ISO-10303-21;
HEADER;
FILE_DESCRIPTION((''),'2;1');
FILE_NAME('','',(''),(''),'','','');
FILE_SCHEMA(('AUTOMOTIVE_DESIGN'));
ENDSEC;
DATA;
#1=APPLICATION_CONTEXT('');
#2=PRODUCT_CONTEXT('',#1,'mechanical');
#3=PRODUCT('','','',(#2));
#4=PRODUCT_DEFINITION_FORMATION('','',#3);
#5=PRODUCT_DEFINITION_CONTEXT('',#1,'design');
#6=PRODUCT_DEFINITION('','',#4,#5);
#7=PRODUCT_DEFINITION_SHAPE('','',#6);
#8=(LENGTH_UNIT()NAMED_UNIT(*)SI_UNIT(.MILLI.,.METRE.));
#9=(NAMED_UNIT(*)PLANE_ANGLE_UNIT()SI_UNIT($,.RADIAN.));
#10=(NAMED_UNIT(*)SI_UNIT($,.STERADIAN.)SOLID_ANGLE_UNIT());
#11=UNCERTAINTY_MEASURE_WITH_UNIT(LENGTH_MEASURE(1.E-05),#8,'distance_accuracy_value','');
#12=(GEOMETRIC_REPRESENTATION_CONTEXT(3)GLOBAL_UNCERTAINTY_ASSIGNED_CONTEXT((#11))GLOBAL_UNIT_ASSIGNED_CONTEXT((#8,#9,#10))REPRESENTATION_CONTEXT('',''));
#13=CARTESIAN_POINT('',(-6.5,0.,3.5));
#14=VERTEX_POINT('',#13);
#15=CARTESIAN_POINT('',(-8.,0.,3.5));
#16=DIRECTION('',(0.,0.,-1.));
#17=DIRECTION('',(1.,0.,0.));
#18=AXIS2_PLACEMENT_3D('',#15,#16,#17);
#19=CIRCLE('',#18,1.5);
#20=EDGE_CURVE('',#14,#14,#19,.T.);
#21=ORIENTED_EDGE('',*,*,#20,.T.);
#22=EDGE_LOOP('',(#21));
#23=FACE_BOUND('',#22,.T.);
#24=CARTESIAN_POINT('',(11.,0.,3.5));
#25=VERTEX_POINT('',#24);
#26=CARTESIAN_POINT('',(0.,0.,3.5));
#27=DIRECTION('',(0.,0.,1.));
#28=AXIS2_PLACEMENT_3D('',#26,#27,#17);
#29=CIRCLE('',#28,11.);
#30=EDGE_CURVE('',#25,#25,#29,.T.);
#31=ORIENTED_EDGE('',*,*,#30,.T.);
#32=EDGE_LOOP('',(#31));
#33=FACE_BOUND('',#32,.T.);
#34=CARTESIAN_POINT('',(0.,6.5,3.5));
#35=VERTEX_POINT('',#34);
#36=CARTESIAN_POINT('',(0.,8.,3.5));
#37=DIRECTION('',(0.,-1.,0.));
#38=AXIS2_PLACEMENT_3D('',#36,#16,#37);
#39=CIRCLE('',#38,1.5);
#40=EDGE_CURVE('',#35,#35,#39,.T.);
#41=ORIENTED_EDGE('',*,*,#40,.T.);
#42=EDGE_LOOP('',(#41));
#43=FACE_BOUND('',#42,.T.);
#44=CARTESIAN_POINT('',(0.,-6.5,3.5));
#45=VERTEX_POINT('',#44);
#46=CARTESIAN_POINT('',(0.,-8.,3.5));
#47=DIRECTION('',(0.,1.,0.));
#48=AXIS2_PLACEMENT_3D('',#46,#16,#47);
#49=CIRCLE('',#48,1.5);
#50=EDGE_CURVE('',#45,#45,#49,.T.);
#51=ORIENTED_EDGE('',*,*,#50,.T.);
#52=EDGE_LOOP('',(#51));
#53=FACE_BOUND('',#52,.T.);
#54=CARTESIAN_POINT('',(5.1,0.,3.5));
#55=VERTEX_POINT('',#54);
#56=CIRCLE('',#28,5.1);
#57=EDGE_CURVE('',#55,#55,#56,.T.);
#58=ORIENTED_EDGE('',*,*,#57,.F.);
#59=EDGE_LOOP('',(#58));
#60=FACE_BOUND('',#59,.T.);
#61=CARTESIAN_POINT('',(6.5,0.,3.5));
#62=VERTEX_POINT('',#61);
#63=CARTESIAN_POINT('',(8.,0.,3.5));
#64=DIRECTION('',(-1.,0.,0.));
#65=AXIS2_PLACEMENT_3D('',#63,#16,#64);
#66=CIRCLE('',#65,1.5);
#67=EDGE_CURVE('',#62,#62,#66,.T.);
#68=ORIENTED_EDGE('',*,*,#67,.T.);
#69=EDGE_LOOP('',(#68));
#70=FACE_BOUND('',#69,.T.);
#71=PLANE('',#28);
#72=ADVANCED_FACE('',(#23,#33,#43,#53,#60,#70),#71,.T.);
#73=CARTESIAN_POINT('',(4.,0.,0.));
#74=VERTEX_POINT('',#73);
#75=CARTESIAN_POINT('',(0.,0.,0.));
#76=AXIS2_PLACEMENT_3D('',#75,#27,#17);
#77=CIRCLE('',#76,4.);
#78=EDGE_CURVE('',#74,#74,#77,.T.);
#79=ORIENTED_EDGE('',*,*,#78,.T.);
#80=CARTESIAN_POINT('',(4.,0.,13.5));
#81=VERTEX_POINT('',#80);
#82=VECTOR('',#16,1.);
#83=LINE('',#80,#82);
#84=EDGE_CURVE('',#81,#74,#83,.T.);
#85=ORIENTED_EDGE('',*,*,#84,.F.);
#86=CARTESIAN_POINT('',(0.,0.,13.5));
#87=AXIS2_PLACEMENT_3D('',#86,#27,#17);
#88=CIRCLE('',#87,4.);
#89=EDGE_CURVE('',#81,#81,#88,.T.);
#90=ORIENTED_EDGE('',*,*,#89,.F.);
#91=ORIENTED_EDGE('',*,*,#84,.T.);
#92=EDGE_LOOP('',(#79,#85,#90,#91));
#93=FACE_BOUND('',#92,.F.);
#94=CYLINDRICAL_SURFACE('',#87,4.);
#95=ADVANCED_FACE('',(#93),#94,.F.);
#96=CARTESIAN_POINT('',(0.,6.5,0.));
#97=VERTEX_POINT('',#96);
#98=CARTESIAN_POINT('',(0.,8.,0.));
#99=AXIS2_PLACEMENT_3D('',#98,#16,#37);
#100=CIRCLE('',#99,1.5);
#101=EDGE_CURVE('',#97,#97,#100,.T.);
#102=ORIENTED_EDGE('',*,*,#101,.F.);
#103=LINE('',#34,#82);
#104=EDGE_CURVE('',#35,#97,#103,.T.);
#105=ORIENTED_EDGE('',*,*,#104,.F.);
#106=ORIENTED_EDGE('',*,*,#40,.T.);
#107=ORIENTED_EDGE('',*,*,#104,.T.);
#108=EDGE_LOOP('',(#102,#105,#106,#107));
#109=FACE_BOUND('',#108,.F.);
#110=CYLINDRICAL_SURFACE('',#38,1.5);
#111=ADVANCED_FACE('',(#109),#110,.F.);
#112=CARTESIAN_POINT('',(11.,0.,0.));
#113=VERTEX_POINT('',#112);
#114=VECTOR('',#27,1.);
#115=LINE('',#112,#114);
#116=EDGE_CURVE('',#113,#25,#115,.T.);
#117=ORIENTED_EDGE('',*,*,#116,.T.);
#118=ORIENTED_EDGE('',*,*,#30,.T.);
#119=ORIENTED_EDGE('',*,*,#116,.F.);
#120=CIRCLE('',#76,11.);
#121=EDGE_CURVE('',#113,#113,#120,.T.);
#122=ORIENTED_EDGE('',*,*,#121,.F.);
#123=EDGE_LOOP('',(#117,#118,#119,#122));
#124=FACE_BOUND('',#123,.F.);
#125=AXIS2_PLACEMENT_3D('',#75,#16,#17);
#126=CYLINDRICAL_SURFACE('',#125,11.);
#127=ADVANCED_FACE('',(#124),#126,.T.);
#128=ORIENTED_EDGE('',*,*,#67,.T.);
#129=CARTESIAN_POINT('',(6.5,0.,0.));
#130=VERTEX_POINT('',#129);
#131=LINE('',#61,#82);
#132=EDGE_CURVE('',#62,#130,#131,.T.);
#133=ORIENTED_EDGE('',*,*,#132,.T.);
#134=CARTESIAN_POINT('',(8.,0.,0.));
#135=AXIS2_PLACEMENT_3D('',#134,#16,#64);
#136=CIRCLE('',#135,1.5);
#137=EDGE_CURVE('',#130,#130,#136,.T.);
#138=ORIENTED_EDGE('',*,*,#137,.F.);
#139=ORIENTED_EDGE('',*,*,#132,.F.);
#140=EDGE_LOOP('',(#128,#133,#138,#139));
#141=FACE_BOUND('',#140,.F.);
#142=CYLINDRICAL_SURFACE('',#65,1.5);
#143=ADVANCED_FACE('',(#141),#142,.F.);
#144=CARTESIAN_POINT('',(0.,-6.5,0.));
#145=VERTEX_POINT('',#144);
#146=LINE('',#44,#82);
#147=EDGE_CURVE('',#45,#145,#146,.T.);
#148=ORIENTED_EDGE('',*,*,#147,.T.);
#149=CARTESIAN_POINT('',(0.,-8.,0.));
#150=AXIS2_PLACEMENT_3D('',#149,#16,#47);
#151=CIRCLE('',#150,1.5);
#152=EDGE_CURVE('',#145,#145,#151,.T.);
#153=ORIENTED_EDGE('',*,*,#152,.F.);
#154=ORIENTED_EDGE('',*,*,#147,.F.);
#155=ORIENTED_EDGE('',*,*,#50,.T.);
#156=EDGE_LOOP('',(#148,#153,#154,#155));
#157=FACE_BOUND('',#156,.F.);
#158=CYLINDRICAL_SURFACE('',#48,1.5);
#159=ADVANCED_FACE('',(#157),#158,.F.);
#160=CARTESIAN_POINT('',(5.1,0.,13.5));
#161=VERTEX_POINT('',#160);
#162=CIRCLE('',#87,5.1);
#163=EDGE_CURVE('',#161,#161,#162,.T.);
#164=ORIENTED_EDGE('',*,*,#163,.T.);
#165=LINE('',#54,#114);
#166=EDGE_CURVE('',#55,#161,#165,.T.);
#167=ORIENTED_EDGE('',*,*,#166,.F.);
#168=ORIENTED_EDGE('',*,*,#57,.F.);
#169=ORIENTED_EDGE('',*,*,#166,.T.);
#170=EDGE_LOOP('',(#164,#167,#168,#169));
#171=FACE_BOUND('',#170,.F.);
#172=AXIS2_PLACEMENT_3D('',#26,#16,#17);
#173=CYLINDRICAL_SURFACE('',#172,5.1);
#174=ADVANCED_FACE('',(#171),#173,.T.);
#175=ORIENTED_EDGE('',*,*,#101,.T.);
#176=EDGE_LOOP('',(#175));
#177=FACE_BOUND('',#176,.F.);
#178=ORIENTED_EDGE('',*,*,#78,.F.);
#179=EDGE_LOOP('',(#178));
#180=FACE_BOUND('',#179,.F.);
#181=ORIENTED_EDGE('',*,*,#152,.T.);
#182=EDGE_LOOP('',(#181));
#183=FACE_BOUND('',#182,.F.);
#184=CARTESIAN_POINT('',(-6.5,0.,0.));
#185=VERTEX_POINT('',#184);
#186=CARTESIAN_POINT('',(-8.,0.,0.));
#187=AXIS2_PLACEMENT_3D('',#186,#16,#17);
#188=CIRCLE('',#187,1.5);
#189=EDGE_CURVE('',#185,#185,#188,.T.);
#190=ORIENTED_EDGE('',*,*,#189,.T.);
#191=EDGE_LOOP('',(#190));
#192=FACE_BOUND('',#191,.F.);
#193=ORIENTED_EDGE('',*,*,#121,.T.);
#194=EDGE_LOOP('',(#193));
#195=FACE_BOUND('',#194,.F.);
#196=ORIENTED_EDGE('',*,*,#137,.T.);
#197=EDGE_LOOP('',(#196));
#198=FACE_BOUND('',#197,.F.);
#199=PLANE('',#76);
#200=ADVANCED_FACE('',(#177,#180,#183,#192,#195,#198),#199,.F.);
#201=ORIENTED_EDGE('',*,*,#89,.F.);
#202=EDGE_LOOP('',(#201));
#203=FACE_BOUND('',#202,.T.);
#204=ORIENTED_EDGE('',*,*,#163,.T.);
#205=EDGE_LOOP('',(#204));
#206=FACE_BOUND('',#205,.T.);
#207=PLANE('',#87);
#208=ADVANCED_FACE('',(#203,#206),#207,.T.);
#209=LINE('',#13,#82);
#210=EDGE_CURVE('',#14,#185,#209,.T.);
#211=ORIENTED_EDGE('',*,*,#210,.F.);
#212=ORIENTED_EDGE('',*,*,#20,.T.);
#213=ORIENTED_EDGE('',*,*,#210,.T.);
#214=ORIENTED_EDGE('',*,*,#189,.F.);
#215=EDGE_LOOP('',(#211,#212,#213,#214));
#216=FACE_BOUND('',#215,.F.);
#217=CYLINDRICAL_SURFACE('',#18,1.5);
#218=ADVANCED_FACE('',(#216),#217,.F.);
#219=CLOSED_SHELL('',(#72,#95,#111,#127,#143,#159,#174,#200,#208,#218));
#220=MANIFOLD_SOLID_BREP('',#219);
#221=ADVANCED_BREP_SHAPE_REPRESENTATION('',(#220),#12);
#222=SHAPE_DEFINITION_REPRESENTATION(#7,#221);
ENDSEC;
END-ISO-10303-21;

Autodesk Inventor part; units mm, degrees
ref_plane "YZ Plane" through (0, 0, 0) normal (1, 0, 0) x (0, 1, 0)
ref_plane "XZ Plane" through (0, 0, 0) normal (0, 1, 0) x (-1, 0, 0)
ref_plane "XY Plane" through (0, 0, 0) normal (0, 0, 1) x (1, 0, 0)
sketch "Sketch1" plane through (0, 0, 0) normal (0, 0, 1) x (1, 0, 0)
  circle A0 centre (0, 0) radius 11
  dimension "d0" = 22
extrude "Extrusion1" add sketch "Sketch1" along normal blind 3.5
sketch "Sketch2" plane through (0, 0, 3.5) normal (0, 0, 1) x (1, 0, 0)
  circle A0 centre (0, 0) radius 5.1
  dimension "d3" = 10.2
extrude "Extrusion2" add sketch "Sketch2" along normal blind 10
sketch "Sketch3" plane through (0, 0, 3.5) normal (0, 0, 1) x (1, 0, 0)
  circle A0 centre (0, 0) radius 5.1 projected
  point P0 (0, 8)
  dimension "d7" = 8
hole "Hole1" at (0, 8, 3.5) direction (0, 0, -1) diameter 3 depth 8 tip angle 118
pattern_circular "Circular Pattern1" count 4 over 360 about axis through (0, 0, 3.5) along (0, 0, 1) of "Hole1"
sketch "Sketch4" plane through (0, 0, 13.5) normal (0, 0, 1) x (1, 0, 0)
  circle A0 centre (0, 0) radius 4
  dimension "d18" = 8
extrude "Extrusion3" cut sketch "Sketch4" against normal through all
thread "Thread1" size "M8x1.25" class "6H" standard "ANSI Metric M Profile" full length
properties part number "m8 nut"
